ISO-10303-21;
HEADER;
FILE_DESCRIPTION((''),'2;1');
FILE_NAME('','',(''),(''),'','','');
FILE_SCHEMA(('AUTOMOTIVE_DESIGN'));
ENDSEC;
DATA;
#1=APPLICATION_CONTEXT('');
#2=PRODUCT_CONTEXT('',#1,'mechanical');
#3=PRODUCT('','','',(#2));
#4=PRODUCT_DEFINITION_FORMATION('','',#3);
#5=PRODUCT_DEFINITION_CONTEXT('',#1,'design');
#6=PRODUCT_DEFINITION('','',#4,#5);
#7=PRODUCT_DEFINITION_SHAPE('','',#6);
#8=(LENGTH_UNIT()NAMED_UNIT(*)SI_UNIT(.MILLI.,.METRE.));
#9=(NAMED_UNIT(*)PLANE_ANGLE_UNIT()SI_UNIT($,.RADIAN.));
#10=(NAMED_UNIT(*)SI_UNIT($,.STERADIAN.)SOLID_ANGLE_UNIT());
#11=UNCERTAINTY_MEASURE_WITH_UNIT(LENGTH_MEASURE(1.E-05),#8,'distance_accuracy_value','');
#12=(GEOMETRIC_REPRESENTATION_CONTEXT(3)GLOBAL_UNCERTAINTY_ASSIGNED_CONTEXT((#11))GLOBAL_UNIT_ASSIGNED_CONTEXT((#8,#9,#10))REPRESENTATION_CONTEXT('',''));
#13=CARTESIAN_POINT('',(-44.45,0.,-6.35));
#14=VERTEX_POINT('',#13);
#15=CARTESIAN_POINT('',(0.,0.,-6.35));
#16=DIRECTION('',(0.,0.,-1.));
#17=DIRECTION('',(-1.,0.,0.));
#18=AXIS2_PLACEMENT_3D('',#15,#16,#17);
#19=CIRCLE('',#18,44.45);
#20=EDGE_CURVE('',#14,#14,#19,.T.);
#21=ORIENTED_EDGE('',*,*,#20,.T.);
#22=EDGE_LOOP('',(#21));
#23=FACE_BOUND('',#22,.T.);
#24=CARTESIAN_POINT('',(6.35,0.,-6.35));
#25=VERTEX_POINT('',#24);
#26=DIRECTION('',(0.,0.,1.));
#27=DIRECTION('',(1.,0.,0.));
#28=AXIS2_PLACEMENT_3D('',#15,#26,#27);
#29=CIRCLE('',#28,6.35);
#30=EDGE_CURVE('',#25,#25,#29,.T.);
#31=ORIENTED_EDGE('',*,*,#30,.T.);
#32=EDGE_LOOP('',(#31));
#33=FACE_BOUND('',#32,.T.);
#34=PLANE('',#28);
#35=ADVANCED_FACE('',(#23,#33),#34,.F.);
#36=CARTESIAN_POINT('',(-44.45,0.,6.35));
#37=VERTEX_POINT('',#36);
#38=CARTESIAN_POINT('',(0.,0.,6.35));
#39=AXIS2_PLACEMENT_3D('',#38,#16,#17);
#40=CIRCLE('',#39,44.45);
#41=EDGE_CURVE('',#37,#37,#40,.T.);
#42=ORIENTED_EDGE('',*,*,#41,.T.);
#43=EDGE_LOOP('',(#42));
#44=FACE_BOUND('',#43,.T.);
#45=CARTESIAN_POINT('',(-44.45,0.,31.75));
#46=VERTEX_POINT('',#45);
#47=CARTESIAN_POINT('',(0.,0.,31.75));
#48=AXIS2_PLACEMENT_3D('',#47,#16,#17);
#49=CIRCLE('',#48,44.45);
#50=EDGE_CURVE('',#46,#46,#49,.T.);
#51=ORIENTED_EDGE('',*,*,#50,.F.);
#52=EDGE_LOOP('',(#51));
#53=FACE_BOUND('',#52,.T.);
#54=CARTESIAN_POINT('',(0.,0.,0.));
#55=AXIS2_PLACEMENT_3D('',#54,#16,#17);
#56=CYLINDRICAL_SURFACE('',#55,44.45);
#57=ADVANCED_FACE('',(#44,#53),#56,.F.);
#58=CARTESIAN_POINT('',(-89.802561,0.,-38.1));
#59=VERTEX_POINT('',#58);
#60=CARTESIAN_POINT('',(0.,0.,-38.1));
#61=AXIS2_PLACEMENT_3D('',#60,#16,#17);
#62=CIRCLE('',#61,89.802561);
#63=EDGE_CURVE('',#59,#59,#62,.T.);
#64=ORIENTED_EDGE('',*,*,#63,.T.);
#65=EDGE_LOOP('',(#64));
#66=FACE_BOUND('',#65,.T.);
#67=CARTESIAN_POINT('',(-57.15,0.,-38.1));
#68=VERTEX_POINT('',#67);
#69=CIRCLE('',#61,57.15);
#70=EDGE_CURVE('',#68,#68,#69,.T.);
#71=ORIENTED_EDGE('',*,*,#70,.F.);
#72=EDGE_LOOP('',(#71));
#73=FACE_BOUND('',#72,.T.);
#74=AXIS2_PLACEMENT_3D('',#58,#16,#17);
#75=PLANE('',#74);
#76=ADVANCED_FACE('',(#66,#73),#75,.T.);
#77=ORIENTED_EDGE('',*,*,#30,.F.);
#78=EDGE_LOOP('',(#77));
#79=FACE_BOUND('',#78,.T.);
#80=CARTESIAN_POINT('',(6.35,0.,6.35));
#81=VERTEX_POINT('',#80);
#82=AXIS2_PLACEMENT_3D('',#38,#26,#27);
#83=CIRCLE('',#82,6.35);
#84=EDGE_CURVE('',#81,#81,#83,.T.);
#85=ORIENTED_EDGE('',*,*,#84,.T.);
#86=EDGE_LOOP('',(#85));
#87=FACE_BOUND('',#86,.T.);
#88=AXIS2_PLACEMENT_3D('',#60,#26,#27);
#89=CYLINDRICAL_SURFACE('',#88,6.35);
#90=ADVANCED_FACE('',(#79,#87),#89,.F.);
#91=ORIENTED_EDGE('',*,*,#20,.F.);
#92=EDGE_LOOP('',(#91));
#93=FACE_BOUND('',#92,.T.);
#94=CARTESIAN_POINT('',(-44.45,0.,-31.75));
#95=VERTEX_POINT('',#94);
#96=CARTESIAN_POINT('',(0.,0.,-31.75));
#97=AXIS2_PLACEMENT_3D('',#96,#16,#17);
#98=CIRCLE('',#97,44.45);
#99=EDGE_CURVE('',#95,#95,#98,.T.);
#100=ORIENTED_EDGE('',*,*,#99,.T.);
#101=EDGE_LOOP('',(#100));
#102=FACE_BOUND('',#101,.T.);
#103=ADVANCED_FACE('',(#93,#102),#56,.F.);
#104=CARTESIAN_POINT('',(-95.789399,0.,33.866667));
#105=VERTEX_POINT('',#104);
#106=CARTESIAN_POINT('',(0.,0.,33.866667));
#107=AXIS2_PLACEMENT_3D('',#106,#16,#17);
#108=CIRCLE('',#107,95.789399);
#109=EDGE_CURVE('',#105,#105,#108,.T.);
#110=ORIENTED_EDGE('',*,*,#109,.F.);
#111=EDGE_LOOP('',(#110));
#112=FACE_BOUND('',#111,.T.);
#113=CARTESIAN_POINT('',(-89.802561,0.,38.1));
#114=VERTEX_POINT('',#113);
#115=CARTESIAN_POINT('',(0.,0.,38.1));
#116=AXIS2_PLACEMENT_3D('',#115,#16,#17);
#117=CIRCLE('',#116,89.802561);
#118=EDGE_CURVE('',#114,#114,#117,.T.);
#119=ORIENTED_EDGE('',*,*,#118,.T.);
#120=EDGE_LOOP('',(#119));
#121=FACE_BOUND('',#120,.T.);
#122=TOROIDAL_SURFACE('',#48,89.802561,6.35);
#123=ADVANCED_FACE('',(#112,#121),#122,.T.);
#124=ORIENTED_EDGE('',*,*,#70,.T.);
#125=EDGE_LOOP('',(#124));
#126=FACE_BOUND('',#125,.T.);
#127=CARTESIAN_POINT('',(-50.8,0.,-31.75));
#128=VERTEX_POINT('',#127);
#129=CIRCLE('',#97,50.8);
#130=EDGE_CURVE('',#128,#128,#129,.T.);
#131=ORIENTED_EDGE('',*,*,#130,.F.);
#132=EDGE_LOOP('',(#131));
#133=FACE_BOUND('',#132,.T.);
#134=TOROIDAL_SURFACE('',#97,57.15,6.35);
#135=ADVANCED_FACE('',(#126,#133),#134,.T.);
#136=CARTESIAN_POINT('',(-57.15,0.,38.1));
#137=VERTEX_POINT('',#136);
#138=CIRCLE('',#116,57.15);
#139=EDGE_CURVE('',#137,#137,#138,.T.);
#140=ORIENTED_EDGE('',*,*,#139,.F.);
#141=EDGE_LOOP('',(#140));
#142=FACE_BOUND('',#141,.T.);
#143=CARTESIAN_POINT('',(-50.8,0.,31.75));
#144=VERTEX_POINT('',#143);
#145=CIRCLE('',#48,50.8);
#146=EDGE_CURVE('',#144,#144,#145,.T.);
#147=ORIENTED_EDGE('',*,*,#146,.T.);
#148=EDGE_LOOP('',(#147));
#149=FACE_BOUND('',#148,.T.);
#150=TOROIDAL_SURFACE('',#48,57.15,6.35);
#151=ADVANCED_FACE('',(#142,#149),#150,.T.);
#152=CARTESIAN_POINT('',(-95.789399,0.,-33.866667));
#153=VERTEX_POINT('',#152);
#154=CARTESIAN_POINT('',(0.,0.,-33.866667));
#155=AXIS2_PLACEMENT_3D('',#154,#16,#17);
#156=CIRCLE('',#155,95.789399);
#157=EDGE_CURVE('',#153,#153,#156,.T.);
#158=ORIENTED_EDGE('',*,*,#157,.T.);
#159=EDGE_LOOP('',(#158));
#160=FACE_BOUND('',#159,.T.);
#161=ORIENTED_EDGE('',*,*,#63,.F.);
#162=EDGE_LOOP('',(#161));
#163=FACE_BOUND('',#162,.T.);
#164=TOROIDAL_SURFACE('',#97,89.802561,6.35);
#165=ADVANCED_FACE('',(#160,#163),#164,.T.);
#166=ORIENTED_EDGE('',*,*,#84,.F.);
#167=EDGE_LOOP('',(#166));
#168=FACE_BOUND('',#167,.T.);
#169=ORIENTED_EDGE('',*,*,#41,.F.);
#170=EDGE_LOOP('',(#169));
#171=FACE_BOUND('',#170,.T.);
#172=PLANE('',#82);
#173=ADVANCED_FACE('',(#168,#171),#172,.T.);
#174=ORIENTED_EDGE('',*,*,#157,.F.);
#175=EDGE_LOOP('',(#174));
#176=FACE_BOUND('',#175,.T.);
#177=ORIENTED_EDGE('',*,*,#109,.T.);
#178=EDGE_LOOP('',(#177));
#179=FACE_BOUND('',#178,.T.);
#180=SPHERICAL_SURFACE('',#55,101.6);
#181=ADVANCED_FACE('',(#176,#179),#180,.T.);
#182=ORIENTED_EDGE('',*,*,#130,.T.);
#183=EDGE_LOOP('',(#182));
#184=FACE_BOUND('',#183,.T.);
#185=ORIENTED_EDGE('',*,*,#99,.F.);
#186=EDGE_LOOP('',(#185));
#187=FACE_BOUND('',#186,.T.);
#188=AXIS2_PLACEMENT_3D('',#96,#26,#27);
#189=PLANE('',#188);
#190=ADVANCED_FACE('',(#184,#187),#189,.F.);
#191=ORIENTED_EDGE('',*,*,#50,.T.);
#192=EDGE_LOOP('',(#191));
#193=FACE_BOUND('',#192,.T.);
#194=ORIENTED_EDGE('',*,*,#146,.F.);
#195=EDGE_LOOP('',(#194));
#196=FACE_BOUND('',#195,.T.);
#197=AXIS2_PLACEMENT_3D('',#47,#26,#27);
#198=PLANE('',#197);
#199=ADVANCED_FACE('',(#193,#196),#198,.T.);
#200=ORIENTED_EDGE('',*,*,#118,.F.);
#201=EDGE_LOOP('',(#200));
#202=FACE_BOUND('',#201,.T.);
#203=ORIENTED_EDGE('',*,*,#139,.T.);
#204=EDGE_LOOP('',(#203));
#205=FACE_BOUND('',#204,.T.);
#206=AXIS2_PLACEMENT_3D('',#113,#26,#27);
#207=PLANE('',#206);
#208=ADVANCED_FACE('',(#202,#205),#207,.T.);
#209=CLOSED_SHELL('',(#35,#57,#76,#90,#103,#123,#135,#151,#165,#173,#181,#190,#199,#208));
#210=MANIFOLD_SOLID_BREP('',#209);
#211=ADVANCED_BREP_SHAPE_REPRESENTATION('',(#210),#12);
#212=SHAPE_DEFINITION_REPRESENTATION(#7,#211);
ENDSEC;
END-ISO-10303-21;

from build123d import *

# Parameters (mm, degrees)
SKETCH3_R               = 6.35
CUT_EXTRUDE1_DEPTH      = 32.75
CUT_EXTRUDE1_DEPTH_BACK = 45.45


with BuildPart() as part:
    # Sketch1 → Revolve1 (revolve)
    with BuildSketch(Plane(origin=(0, 0, 0), x_dir=(1, 0, 0), z_dir=(0, 1, 0))):
        with BuildLine():
            Line((-89.802561211, -38.1), (-57.15, -38.1))
            ThreePointArc((-57.15, -38.1), (-52.659871939, -36.240128061), (-50.8, -31.75))
            Line((-50.8, -31.75), (-50.8, 31.75))
            ThreePointArc((-50.8, 31.75), (-52.659871939, 36.240128061), (-57.15, 38.1))
            Line((-57.15, 38.1), (-89.802561211, 38.1))
            ThreePointArc((-89.802561211, 38.1), (-93.46873542, 36.934753289), (-95.789398625, 33.866666667))
            ThreePointArc((-95.789398625, 33.866666667), (-101.6, 0), (-95.789398625, -33.866666667))
            ThreePointArc((-95.789398625, -33.866666667), (-93.46873542, -36.934753289), (-89.802561211, -38.1))
        make_face()
    revolve(axis=Axis((0, 0, 0), (0, 0, 1)))

    # Sketch2 → Revolve2 (revolve)
    with BuildSketch(Plane(origin=(0, 0, 0), x_dir=(1, 0, 0), z_dir=(0, 1, 0))):
        Polygon((-44.45, 31.75), (-50.8, 31.75), (-50.8, -31.75), (-44.45, -31.75), (-44.45, -6.35), (0, -6.35), (0, 6.35), (-44.45, 6.35), align=None)
        with BuildLine():
            Line((-50.8, -31.75), (-50.8, 31.75))
            ThreePointArc((-50.8, 31.75), (-52.659871939, 36.240128061), (-57.15, 38.1))
            Line((-57.15, 38.1), (-89.802561211, 38.1))
            ThreePointArc((-89.802561211, 38.1), (-93.46873542, 36.934753289), (-95.789398625, 33.866666667))
            ThreePointArc((-95.789398625, 33.866666667), (-101.6, 0), (-95.789398625, -33.866666667))
            ThreePointArc((-95.789398625, -33.866666667), (-93.46873542, -36.934753289), (-89.802561211, -38.1))
            Line((-89.802561211, -38.1), (-57.15, -38.1))
            ThreePointArc((-57.15, -38.1), (-52.659871939, -36.240128061), (-50.8, -31.75))
        make_face()
    revolve(axis=Axis((0, 0, 0), (0, 0, 1)))

    # Sketch3 → Cut-Extrude1 (cut, two sides)
    with BuildSketch(Plane.XY.offset(6.35)) as cut_extrude1_sk:
        Circle(SKETCH3_R)
    extrude(amount=CUT_EXTRUDE1_DEPTH, mode=Mode.SUBTRACT)
    extrude(cut_extrude1_sk.sketch, amount=-CUT_EXTRUDE1_DEPTH_BACK, mode=Mode.SUBTRACT)


solid = part.part
